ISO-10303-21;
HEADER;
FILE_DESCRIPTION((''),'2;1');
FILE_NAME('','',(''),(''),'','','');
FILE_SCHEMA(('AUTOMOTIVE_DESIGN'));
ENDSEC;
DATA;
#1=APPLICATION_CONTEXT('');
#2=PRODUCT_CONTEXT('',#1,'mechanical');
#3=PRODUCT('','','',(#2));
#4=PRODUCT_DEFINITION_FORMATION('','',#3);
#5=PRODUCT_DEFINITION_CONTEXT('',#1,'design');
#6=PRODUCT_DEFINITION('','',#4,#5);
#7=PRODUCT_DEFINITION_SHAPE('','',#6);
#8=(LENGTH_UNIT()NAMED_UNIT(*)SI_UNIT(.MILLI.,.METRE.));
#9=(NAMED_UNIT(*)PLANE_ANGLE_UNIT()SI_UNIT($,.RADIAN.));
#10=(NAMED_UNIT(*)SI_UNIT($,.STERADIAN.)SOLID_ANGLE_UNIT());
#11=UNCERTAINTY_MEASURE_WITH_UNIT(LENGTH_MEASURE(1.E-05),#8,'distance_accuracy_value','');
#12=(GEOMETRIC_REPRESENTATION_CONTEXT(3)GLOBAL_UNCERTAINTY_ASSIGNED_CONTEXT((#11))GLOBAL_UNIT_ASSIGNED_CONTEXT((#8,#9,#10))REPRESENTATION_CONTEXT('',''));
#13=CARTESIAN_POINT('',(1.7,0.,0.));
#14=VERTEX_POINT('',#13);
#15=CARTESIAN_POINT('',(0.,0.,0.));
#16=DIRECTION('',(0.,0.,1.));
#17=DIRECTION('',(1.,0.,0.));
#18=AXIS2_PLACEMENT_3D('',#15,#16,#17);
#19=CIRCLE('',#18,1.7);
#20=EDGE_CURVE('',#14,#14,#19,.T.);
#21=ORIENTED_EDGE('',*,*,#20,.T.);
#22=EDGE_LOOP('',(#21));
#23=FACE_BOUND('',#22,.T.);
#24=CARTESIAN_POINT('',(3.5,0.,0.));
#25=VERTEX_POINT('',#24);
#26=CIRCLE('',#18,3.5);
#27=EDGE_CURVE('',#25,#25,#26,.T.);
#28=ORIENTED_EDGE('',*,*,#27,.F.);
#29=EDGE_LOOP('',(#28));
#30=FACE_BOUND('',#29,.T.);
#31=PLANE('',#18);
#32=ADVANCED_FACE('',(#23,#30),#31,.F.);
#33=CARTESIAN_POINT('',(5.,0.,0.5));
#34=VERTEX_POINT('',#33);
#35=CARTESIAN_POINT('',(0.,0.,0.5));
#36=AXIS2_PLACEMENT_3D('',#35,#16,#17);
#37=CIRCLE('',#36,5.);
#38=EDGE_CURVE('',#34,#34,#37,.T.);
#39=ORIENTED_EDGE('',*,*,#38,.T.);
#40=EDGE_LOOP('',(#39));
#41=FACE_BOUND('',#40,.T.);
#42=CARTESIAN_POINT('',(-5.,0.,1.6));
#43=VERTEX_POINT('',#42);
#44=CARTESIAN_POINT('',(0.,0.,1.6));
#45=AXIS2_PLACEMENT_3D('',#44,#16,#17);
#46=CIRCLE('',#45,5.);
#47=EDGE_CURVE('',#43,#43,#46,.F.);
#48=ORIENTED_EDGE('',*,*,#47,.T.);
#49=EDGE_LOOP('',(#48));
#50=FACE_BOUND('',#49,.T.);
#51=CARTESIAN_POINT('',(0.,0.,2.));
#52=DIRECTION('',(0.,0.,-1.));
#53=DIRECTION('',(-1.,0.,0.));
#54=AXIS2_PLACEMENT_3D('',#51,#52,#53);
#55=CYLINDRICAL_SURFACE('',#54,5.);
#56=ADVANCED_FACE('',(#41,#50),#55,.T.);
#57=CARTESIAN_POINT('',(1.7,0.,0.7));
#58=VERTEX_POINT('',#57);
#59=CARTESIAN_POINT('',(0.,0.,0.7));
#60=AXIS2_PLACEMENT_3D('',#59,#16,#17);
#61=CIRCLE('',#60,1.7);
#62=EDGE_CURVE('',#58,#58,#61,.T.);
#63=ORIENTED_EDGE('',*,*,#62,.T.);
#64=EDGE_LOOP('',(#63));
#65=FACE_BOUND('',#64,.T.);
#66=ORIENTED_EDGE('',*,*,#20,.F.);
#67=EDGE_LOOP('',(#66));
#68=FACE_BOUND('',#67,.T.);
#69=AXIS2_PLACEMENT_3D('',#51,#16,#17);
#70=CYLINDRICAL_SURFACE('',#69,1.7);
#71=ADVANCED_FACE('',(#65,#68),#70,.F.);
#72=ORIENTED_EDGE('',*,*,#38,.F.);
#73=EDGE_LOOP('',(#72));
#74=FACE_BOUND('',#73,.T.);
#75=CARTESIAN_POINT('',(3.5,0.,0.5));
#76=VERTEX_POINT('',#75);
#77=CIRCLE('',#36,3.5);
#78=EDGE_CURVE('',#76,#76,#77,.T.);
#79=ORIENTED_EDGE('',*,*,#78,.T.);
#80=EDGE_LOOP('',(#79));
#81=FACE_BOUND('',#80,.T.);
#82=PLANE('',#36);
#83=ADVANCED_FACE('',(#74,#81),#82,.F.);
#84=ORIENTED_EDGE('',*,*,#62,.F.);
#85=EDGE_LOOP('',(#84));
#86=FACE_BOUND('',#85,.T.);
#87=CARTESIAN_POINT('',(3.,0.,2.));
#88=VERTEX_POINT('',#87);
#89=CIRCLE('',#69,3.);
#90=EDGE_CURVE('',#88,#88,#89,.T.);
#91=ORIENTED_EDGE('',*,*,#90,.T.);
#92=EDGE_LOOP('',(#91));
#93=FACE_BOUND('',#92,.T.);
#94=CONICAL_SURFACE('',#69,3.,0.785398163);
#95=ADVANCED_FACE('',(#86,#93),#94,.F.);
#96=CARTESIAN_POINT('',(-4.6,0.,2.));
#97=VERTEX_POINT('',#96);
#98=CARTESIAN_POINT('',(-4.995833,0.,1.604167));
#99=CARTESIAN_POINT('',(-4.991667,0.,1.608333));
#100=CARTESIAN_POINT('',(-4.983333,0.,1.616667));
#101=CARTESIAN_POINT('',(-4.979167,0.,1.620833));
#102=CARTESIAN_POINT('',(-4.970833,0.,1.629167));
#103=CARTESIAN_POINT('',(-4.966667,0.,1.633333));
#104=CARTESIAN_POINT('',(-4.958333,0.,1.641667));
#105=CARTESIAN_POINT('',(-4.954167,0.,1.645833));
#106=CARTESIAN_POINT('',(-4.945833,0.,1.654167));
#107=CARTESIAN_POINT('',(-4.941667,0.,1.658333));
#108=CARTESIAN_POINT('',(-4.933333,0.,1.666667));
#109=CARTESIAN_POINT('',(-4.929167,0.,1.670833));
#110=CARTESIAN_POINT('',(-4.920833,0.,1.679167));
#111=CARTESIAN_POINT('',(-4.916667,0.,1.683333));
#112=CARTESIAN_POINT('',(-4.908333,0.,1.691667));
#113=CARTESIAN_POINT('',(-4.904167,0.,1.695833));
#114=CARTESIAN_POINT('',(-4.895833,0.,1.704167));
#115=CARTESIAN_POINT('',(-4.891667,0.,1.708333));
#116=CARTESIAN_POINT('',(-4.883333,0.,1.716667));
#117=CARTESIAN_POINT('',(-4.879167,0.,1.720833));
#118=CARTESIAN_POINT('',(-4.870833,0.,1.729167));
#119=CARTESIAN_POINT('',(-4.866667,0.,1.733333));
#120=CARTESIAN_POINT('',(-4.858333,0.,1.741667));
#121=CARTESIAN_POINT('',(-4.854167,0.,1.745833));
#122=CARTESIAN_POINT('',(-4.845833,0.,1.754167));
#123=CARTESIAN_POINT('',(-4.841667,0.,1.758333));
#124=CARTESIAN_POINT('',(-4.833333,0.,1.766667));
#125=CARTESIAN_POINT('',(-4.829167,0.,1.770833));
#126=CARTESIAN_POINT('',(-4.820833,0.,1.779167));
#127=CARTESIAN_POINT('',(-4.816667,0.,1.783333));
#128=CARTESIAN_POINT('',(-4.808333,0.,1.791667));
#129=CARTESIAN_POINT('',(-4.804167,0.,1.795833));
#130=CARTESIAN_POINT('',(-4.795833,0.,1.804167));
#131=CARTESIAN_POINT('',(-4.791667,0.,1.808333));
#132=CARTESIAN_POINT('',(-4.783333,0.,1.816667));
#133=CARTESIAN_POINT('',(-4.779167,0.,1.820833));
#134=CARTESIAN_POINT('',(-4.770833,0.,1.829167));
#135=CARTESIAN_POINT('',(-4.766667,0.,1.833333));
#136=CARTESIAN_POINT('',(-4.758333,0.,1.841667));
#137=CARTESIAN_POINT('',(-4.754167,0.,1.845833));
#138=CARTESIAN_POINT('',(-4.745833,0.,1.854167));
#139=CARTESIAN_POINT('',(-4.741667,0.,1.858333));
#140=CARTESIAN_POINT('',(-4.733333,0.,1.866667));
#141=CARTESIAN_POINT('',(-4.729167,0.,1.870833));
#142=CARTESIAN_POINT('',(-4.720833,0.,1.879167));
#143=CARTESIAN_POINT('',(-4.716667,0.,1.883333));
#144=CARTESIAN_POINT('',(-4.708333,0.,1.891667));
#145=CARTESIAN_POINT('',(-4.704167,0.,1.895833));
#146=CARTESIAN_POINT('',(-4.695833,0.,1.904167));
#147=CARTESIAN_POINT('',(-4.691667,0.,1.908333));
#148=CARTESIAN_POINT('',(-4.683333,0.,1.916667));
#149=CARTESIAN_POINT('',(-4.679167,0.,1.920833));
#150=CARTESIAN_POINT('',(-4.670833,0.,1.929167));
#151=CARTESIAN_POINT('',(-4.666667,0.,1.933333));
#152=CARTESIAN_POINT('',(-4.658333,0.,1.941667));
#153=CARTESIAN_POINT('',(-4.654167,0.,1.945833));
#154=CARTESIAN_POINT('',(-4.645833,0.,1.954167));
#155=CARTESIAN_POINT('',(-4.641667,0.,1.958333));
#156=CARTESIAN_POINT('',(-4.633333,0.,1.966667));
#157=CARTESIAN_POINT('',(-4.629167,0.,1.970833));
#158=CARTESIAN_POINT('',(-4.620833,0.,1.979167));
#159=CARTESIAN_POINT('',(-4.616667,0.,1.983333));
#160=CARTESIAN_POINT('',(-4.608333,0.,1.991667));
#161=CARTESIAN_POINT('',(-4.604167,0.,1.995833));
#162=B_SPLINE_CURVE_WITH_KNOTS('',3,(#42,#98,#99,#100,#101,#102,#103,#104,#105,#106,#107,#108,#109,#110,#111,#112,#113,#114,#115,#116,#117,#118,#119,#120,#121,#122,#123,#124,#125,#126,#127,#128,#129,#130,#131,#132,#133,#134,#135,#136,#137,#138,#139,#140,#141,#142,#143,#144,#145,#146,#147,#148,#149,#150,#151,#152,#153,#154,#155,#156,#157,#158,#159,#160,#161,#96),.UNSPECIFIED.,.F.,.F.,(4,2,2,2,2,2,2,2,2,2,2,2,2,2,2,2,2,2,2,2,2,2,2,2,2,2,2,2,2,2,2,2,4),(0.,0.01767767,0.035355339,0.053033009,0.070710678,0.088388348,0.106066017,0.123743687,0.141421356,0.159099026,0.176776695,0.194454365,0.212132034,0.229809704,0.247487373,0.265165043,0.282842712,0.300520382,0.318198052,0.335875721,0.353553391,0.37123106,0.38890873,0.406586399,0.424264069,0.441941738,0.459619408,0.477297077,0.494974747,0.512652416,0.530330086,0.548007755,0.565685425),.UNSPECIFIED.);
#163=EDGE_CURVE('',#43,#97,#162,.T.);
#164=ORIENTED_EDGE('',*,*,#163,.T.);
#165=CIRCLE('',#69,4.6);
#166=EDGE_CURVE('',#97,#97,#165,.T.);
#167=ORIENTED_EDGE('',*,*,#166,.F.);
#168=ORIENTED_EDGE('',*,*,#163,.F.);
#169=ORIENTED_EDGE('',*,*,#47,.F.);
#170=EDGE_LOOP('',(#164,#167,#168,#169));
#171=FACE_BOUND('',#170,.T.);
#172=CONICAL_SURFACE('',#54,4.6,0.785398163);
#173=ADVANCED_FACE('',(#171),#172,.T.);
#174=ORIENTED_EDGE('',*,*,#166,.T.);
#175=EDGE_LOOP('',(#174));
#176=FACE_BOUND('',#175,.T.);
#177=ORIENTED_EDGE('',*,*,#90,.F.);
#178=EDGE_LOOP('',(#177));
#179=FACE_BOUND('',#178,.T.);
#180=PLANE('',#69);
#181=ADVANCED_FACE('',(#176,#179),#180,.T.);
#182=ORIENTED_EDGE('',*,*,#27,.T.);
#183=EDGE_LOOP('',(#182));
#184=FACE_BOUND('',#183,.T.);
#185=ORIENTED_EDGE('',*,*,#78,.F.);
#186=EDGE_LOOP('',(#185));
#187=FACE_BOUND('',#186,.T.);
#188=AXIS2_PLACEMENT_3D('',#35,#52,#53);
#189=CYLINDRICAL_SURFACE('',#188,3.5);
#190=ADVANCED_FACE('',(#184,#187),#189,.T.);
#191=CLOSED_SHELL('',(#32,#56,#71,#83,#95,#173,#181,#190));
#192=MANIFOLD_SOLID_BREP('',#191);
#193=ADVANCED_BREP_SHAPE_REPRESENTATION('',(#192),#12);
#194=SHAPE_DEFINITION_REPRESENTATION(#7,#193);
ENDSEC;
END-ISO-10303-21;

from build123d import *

# Parameters (mm, degrees)
SKETCH2_R           = 3.5
BOSS_EXTRUDE1_DEPTH = 0.5
SKETCH3_R           = 5
BOSS_EXTRUDE2_DEPTH = 1.5
CHAMFER1_SIZE       = 0.4


with BuildPart() as part:
    # Sketch2 → Boss-Extrude1 (new body)
    with BuildSketch(Plane.XY):
        Circle(SKETCH2_R)
    extrude(amount=BOSS_EXTRUDE1_DEPTH)

    # Sketch3 → Boss-Extrude2 (add)
    with BuildSketch(Plane.XY.offset(0.5)):
        Circle(SKETCH3_R)
    extrude(amount=BOSS_EXTRUDE2_DEPTH)

    # Chamfer1
    chamfer1_edges = [part.edges().sort_by_distance(p)[0] for p in [
        (-5, 0, 2),
    ]]
    chamfer(chamfer1_edges, length=CHAMFER1_SIZE)

    # Sketch4 → Cut-Revolve1 (revolve, cut)
    with BuildSketch(Plane(origin=(0, 0, 0), x_dir=(0, -1, 0), z_dir=(1, 0, 0)), mode=Mode.PRIVATE) as cut_revolve1_sk:
        Polygon((3, -2), (0, -2), (0, 0), (1.7, 0), (1.7, -0.7), align=None)
    revolve(cut_revolve1_sk.sketch.rotate(Axis((0, 0, 2), (0, 0, -1)), 90), axis=Axis((0, 0, 2), (0, 0, -1)), mode=Mode.SUBTRACT)


solid = part.part
